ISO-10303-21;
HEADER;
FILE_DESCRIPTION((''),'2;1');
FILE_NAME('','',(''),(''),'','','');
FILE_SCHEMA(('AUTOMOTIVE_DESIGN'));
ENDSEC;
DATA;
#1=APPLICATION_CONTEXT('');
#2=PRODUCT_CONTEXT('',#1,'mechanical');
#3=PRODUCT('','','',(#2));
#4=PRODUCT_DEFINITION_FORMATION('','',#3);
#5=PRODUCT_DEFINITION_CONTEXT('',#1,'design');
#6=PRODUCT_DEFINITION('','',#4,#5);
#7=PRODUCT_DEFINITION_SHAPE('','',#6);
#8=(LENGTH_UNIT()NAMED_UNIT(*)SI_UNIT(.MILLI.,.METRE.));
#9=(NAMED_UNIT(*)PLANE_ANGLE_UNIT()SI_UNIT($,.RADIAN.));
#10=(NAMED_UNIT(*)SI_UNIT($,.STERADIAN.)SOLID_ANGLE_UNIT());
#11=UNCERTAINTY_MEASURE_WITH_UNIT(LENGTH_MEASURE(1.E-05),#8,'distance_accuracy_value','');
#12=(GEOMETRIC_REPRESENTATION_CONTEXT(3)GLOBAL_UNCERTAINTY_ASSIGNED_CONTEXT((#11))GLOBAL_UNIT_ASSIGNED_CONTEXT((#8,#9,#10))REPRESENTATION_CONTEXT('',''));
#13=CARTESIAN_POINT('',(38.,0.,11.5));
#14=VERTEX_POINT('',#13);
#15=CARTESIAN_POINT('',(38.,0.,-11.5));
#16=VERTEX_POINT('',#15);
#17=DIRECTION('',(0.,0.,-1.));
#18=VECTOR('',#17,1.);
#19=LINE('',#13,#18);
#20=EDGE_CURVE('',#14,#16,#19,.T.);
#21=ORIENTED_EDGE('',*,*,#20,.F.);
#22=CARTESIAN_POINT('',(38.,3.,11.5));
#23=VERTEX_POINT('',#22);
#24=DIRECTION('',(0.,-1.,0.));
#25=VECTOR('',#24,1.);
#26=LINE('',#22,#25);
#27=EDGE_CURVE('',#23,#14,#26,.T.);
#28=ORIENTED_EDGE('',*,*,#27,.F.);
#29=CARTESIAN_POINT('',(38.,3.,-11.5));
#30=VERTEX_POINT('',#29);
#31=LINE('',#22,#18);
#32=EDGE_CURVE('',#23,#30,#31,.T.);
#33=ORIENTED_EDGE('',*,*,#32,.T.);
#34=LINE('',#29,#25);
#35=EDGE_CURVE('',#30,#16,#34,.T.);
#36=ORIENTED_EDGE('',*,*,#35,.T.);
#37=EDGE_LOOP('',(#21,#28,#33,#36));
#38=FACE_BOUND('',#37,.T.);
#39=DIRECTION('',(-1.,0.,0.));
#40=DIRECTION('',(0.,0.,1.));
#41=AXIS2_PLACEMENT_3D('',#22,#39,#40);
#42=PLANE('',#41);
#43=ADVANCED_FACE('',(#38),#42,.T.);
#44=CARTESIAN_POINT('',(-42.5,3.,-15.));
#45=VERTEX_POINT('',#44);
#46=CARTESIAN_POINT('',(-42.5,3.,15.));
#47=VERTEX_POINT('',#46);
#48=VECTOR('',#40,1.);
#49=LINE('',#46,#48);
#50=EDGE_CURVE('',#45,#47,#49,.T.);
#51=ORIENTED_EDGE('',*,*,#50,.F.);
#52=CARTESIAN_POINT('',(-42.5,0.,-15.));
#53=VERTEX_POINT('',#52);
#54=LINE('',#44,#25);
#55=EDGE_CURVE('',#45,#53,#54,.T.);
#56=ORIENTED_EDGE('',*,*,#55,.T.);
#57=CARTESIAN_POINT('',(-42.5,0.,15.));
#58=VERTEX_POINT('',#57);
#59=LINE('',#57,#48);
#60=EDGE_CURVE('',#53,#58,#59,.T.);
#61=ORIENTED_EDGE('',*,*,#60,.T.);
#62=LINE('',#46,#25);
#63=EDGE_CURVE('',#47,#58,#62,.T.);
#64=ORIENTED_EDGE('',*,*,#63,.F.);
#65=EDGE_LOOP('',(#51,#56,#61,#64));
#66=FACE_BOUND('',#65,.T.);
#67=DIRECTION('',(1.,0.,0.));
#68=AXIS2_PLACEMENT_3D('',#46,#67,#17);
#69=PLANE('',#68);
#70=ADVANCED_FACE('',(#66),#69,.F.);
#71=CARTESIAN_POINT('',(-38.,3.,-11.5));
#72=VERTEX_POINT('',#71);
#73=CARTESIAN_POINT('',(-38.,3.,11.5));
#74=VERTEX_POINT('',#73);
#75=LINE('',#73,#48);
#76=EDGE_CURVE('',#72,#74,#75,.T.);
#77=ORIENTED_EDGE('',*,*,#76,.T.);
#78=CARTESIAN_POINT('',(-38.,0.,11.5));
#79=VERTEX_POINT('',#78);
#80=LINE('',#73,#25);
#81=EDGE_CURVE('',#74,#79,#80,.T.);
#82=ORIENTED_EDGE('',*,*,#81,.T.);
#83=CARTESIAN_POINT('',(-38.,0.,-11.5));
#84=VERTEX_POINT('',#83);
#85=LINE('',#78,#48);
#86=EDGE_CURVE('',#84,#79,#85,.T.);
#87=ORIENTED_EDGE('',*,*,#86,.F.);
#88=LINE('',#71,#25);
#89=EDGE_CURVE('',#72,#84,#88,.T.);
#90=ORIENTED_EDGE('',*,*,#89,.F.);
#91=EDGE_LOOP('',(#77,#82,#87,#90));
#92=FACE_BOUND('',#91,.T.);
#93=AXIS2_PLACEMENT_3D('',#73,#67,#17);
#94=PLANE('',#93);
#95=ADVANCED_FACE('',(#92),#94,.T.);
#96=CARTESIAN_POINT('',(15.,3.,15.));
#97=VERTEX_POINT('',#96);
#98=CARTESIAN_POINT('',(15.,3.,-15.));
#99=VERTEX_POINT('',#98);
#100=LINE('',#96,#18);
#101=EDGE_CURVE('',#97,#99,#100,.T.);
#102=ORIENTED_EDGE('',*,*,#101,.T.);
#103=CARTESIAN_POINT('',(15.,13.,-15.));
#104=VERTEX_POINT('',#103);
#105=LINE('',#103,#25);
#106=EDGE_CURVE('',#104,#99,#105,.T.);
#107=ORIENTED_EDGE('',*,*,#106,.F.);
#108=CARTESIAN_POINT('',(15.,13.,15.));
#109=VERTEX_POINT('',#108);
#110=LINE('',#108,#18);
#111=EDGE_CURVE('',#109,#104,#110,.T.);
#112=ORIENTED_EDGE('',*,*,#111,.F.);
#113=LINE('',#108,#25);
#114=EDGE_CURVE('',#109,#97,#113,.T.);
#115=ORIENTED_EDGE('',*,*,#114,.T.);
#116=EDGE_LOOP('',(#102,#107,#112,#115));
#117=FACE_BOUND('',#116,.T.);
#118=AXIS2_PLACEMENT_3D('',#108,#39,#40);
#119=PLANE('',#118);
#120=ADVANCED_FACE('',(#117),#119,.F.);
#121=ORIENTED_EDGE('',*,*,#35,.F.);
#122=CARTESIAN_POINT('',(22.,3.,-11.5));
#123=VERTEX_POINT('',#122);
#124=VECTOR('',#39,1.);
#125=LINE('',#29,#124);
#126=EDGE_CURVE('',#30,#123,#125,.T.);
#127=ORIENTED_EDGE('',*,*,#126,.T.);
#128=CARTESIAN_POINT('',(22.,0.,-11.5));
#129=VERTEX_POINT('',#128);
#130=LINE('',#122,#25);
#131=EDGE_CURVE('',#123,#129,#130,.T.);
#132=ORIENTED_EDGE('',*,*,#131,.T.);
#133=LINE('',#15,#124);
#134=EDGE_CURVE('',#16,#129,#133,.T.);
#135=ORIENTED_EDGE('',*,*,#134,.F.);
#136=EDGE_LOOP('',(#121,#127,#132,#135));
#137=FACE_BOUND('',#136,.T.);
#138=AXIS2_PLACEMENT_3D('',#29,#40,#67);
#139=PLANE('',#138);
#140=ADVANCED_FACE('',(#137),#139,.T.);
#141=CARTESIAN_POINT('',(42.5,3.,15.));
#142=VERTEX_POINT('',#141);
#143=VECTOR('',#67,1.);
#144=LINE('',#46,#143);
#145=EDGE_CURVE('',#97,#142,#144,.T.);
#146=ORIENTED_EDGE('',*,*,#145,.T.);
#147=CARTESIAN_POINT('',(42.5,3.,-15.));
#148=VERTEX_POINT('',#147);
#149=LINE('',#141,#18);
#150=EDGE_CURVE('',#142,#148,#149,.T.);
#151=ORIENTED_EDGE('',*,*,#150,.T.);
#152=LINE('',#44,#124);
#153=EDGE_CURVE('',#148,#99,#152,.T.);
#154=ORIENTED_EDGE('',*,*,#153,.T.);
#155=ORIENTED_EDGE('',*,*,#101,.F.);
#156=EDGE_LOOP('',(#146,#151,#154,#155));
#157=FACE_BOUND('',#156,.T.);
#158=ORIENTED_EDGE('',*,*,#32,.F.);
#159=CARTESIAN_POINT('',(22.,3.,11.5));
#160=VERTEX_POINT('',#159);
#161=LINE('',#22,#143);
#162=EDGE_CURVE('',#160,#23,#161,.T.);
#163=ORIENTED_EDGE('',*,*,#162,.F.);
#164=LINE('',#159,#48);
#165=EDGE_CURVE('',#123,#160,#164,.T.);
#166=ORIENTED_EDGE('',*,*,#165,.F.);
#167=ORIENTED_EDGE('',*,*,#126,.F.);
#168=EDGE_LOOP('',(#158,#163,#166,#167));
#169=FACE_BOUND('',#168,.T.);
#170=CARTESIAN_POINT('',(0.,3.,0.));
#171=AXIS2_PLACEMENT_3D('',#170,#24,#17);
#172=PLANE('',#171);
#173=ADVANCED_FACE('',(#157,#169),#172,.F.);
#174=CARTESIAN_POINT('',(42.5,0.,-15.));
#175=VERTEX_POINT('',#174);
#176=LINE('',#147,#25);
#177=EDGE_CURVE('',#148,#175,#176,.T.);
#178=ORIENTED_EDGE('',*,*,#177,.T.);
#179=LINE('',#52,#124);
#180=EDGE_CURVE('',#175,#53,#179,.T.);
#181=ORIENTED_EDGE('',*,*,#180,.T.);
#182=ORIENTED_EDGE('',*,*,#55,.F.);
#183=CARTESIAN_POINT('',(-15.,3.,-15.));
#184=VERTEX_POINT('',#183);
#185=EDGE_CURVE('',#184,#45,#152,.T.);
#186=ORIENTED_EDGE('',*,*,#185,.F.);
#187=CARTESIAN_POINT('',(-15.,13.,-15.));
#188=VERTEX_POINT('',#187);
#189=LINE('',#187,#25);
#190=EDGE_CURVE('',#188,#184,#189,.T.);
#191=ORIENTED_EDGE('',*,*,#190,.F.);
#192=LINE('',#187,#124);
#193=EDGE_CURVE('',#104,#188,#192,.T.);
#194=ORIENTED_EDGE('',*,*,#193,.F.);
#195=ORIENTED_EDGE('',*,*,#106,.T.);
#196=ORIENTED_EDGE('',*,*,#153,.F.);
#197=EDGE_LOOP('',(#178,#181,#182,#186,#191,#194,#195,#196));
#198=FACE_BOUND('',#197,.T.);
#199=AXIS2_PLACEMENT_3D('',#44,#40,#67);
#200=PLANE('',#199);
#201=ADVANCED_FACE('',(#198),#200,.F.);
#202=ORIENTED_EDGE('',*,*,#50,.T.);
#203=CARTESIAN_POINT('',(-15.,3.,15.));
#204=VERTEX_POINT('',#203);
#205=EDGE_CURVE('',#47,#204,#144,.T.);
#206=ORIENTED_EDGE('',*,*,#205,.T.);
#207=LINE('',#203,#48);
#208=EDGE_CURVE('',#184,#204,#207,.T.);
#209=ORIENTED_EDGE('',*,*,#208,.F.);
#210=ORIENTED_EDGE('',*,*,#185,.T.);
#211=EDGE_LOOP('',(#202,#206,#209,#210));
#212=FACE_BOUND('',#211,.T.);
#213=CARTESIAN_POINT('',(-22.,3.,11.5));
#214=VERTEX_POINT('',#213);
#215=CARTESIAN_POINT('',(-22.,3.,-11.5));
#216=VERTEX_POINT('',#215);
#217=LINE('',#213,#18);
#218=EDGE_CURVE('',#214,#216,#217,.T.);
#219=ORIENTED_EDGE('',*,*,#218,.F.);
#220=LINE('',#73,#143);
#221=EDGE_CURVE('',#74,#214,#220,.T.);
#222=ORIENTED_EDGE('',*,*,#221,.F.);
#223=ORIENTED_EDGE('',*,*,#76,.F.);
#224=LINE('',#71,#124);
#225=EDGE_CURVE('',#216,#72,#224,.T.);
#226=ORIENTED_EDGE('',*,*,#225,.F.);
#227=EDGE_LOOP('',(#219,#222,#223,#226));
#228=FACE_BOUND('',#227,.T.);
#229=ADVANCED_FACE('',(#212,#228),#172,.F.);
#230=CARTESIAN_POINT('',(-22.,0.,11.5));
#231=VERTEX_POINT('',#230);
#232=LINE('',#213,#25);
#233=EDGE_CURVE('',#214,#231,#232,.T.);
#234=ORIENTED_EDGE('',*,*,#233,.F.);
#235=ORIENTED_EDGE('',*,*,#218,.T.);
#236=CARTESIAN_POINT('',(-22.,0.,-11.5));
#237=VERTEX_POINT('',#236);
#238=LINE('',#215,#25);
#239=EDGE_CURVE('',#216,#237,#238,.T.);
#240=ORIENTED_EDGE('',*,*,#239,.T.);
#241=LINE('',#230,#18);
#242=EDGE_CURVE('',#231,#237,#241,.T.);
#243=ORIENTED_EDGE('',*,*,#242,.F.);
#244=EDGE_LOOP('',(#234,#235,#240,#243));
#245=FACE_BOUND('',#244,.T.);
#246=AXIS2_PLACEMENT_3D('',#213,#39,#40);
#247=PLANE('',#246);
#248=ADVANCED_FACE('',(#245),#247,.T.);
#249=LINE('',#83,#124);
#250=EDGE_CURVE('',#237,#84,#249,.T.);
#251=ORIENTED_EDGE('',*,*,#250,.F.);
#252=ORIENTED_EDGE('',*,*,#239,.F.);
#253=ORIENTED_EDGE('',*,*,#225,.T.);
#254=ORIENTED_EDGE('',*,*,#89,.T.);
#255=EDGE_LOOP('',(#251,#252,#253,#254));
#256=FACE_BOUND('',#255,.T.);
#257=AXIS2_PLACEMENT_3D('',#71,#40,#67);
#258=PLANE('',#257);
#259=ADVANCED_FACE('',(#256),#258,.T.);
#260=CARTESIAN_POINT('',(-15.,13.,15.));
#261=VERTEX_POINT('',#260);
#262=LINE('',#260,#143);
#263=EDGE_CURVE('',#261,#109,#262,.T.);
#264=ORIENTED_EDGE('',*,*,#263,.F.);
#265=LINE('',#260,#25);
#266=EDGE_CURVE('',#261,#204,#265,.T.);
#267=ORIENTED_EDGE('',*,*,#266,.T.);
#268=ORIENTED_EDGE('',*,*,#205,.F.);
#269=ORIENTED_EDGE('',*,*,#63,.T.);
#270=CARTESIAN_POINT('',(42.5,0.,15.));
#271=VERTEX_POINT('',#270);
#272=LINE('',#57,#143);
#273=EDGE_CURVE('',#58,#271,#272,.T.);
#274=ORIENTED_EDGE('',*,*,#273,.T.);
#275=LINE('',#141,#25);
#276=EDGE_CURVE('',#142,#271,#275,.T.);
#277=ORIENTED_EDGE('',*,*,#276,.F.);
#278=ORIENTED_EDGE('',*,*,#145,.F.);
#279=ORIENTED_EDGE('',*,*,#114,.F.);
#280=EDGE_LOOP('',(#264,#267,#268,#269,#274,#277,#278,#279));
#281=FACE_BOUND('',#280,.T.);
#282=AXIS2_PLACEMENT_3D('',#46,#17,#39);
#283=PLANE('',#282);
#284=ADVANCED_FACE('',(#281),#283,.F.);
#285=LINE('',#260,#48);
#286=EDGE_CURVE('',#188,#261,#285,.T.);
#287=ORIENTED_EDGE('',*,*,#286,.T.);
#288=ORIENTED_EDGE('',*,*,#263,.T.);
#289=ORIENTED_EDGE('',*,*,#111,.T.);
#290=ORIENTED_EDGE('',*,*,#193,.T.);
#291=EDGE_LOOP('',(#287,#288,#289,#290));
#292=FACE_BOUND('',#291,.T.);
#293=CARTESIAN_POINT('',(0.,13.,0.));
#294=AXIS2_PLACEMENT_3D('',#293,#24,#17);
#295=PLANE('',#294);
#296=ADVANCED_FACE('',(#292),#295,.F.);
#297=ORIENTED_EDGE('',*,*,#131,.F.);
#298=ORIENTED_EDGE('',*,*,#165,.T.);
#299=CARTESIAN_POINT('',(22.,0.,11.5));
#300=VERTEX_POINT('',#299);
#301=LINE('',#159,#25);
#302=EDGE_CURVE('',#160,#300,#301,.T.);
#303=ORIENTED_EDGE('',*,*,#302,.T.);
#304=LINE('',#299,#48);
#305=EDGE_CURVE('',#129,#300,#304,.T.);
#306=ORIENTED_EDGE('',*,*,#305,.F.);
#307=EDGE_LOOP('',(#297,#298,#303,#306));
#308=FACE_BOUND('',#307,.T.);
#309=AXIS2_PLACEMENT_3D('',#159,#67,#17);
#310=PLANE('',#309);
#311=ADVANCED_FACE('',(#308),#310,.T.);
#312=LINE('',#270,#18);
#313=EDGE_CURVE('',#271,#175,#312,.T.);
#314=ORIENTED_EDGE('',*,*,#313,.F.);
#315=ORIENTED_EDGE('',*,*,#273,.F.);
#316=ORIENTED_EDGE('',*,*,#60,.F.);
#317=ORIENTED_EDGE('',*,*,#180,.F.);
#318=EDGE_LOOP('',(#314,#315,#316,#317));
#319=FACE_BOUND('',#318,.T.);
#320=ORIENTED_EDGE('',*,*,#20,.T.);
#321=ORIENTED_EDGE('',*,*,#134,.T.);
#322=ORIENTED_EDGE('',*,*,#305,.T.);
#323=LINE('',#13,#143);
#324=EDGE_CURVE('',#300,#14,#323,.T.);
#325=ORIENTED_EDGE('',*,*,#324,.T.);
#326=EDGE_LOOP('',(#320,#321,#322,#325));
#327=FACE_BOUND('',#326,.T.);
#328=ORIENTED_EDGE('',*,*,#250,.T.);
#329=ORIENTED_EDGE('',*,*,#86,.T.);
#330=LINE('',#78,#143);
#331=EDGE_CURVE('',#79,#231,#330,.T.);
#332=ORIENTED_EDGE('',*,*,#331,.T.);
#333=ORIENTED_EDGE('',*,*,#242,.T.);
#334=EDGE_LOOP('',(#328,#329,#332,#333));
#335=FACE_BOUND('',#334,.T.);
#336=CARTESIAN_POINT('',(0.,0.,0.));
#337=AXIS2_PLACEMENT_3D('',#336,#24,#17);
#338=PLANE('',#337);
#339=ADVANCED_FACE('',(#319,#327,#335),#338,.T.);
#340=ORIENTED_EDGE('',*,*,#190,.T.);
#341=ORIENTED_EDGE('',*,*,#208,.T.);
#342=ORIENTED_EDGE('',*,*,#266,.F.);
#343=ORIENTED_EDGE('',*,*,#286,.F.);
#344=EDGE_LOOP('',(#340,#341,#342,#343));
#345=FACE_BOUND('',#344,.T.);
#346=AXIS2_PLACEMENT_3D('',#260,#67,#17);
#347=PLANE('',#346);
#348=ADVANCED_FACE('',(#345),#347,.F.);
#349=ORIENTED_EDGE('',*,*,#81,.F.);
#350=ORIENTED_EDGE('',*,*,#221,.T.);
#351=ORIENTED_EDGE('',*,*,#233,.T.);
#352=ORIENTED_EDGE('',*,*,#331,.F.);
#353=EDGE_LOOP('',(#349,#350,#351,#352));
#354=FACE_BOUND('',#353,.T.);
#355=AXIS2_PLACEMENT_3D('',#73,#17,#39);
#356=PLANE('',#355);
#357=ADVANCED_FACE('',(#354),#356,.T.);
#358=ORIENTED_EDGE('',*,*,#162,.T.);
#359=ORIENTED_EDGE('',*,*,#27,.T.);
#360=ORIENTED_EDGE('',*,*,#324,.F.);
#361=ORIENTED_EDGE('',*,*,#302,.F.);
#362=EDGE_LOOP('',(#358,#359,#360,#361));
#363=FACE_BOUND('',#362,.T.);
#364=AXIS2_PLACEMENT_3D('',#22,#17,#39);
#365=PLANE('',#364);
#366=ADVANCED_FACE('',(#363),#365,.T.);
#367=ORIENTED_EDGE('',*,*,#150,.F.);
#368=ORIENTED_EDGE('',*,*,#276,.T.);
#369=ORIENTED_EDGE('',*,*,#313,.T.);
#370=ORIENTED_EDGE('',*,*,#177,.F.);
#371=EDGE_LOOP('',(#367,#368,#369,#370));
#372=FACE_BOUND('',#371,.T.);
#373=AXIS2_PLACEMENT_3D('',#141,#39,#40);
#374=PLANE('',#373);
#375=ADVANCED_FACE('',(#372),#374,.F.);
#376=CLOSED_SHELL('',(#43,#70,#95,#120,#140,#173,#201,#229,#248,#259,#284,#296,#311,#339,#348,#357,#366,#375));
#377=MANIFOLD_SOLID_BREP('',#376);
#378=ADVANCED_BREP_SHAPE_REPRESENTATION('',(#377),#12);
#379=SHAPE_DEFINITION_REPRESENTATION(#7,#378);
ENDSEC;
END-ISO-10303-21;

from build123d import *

# Parameters (mm, degrees)
CROQUIS1_W              = 85
CROQUIS1_H              = 30
CROQUIS1_W_2            = 16
CROQUIS1_H_2            = 23
SALIENTE_EXTRUIR1_DEPTH = 3
CROQUIS3_W              = 30
CROQUIS3_H              = 30
SALIENTE_EXTRUIR2_DEPTH = 10


with BuildPart() as part:
    # Croquis1 → Saliente-Extruir1 (new body)
    with BuildSketch(Plane(origin=(0, 0, 0), x_dir=(1, 0, 0), z_dir=(0, 1, 0))):
        Rectangle(CROQUIS1_W, CROQUIS1_H)
        with Locations((30, 0)):
            Rectangle(CROQUIS1_W_2, CROQUIS1_H_2, mode=Mode.SUBTRACT)
        with Locations((-30, 0)):
            Rectangle(CROQUIS1_W_2, CROQUIS1_H_2, mode=Mode.SUBTRACT)
    extrude(amount=SALIENTE_EXTRUIR1_DEPTH)

    # Croquis3 → Saliente-Extruir2 (add)
    with BuildSketch(Plane(origin=(0, 3, 0), x_dir=(1, 0, 0), z_dir=(0, 1, 0))):
        Rectangle(CROQUIS3_W, CROQUIS3_H)
    extrude(amount=SALIENTE_EXTRUIR2_DEPTH)


solid = part.part
